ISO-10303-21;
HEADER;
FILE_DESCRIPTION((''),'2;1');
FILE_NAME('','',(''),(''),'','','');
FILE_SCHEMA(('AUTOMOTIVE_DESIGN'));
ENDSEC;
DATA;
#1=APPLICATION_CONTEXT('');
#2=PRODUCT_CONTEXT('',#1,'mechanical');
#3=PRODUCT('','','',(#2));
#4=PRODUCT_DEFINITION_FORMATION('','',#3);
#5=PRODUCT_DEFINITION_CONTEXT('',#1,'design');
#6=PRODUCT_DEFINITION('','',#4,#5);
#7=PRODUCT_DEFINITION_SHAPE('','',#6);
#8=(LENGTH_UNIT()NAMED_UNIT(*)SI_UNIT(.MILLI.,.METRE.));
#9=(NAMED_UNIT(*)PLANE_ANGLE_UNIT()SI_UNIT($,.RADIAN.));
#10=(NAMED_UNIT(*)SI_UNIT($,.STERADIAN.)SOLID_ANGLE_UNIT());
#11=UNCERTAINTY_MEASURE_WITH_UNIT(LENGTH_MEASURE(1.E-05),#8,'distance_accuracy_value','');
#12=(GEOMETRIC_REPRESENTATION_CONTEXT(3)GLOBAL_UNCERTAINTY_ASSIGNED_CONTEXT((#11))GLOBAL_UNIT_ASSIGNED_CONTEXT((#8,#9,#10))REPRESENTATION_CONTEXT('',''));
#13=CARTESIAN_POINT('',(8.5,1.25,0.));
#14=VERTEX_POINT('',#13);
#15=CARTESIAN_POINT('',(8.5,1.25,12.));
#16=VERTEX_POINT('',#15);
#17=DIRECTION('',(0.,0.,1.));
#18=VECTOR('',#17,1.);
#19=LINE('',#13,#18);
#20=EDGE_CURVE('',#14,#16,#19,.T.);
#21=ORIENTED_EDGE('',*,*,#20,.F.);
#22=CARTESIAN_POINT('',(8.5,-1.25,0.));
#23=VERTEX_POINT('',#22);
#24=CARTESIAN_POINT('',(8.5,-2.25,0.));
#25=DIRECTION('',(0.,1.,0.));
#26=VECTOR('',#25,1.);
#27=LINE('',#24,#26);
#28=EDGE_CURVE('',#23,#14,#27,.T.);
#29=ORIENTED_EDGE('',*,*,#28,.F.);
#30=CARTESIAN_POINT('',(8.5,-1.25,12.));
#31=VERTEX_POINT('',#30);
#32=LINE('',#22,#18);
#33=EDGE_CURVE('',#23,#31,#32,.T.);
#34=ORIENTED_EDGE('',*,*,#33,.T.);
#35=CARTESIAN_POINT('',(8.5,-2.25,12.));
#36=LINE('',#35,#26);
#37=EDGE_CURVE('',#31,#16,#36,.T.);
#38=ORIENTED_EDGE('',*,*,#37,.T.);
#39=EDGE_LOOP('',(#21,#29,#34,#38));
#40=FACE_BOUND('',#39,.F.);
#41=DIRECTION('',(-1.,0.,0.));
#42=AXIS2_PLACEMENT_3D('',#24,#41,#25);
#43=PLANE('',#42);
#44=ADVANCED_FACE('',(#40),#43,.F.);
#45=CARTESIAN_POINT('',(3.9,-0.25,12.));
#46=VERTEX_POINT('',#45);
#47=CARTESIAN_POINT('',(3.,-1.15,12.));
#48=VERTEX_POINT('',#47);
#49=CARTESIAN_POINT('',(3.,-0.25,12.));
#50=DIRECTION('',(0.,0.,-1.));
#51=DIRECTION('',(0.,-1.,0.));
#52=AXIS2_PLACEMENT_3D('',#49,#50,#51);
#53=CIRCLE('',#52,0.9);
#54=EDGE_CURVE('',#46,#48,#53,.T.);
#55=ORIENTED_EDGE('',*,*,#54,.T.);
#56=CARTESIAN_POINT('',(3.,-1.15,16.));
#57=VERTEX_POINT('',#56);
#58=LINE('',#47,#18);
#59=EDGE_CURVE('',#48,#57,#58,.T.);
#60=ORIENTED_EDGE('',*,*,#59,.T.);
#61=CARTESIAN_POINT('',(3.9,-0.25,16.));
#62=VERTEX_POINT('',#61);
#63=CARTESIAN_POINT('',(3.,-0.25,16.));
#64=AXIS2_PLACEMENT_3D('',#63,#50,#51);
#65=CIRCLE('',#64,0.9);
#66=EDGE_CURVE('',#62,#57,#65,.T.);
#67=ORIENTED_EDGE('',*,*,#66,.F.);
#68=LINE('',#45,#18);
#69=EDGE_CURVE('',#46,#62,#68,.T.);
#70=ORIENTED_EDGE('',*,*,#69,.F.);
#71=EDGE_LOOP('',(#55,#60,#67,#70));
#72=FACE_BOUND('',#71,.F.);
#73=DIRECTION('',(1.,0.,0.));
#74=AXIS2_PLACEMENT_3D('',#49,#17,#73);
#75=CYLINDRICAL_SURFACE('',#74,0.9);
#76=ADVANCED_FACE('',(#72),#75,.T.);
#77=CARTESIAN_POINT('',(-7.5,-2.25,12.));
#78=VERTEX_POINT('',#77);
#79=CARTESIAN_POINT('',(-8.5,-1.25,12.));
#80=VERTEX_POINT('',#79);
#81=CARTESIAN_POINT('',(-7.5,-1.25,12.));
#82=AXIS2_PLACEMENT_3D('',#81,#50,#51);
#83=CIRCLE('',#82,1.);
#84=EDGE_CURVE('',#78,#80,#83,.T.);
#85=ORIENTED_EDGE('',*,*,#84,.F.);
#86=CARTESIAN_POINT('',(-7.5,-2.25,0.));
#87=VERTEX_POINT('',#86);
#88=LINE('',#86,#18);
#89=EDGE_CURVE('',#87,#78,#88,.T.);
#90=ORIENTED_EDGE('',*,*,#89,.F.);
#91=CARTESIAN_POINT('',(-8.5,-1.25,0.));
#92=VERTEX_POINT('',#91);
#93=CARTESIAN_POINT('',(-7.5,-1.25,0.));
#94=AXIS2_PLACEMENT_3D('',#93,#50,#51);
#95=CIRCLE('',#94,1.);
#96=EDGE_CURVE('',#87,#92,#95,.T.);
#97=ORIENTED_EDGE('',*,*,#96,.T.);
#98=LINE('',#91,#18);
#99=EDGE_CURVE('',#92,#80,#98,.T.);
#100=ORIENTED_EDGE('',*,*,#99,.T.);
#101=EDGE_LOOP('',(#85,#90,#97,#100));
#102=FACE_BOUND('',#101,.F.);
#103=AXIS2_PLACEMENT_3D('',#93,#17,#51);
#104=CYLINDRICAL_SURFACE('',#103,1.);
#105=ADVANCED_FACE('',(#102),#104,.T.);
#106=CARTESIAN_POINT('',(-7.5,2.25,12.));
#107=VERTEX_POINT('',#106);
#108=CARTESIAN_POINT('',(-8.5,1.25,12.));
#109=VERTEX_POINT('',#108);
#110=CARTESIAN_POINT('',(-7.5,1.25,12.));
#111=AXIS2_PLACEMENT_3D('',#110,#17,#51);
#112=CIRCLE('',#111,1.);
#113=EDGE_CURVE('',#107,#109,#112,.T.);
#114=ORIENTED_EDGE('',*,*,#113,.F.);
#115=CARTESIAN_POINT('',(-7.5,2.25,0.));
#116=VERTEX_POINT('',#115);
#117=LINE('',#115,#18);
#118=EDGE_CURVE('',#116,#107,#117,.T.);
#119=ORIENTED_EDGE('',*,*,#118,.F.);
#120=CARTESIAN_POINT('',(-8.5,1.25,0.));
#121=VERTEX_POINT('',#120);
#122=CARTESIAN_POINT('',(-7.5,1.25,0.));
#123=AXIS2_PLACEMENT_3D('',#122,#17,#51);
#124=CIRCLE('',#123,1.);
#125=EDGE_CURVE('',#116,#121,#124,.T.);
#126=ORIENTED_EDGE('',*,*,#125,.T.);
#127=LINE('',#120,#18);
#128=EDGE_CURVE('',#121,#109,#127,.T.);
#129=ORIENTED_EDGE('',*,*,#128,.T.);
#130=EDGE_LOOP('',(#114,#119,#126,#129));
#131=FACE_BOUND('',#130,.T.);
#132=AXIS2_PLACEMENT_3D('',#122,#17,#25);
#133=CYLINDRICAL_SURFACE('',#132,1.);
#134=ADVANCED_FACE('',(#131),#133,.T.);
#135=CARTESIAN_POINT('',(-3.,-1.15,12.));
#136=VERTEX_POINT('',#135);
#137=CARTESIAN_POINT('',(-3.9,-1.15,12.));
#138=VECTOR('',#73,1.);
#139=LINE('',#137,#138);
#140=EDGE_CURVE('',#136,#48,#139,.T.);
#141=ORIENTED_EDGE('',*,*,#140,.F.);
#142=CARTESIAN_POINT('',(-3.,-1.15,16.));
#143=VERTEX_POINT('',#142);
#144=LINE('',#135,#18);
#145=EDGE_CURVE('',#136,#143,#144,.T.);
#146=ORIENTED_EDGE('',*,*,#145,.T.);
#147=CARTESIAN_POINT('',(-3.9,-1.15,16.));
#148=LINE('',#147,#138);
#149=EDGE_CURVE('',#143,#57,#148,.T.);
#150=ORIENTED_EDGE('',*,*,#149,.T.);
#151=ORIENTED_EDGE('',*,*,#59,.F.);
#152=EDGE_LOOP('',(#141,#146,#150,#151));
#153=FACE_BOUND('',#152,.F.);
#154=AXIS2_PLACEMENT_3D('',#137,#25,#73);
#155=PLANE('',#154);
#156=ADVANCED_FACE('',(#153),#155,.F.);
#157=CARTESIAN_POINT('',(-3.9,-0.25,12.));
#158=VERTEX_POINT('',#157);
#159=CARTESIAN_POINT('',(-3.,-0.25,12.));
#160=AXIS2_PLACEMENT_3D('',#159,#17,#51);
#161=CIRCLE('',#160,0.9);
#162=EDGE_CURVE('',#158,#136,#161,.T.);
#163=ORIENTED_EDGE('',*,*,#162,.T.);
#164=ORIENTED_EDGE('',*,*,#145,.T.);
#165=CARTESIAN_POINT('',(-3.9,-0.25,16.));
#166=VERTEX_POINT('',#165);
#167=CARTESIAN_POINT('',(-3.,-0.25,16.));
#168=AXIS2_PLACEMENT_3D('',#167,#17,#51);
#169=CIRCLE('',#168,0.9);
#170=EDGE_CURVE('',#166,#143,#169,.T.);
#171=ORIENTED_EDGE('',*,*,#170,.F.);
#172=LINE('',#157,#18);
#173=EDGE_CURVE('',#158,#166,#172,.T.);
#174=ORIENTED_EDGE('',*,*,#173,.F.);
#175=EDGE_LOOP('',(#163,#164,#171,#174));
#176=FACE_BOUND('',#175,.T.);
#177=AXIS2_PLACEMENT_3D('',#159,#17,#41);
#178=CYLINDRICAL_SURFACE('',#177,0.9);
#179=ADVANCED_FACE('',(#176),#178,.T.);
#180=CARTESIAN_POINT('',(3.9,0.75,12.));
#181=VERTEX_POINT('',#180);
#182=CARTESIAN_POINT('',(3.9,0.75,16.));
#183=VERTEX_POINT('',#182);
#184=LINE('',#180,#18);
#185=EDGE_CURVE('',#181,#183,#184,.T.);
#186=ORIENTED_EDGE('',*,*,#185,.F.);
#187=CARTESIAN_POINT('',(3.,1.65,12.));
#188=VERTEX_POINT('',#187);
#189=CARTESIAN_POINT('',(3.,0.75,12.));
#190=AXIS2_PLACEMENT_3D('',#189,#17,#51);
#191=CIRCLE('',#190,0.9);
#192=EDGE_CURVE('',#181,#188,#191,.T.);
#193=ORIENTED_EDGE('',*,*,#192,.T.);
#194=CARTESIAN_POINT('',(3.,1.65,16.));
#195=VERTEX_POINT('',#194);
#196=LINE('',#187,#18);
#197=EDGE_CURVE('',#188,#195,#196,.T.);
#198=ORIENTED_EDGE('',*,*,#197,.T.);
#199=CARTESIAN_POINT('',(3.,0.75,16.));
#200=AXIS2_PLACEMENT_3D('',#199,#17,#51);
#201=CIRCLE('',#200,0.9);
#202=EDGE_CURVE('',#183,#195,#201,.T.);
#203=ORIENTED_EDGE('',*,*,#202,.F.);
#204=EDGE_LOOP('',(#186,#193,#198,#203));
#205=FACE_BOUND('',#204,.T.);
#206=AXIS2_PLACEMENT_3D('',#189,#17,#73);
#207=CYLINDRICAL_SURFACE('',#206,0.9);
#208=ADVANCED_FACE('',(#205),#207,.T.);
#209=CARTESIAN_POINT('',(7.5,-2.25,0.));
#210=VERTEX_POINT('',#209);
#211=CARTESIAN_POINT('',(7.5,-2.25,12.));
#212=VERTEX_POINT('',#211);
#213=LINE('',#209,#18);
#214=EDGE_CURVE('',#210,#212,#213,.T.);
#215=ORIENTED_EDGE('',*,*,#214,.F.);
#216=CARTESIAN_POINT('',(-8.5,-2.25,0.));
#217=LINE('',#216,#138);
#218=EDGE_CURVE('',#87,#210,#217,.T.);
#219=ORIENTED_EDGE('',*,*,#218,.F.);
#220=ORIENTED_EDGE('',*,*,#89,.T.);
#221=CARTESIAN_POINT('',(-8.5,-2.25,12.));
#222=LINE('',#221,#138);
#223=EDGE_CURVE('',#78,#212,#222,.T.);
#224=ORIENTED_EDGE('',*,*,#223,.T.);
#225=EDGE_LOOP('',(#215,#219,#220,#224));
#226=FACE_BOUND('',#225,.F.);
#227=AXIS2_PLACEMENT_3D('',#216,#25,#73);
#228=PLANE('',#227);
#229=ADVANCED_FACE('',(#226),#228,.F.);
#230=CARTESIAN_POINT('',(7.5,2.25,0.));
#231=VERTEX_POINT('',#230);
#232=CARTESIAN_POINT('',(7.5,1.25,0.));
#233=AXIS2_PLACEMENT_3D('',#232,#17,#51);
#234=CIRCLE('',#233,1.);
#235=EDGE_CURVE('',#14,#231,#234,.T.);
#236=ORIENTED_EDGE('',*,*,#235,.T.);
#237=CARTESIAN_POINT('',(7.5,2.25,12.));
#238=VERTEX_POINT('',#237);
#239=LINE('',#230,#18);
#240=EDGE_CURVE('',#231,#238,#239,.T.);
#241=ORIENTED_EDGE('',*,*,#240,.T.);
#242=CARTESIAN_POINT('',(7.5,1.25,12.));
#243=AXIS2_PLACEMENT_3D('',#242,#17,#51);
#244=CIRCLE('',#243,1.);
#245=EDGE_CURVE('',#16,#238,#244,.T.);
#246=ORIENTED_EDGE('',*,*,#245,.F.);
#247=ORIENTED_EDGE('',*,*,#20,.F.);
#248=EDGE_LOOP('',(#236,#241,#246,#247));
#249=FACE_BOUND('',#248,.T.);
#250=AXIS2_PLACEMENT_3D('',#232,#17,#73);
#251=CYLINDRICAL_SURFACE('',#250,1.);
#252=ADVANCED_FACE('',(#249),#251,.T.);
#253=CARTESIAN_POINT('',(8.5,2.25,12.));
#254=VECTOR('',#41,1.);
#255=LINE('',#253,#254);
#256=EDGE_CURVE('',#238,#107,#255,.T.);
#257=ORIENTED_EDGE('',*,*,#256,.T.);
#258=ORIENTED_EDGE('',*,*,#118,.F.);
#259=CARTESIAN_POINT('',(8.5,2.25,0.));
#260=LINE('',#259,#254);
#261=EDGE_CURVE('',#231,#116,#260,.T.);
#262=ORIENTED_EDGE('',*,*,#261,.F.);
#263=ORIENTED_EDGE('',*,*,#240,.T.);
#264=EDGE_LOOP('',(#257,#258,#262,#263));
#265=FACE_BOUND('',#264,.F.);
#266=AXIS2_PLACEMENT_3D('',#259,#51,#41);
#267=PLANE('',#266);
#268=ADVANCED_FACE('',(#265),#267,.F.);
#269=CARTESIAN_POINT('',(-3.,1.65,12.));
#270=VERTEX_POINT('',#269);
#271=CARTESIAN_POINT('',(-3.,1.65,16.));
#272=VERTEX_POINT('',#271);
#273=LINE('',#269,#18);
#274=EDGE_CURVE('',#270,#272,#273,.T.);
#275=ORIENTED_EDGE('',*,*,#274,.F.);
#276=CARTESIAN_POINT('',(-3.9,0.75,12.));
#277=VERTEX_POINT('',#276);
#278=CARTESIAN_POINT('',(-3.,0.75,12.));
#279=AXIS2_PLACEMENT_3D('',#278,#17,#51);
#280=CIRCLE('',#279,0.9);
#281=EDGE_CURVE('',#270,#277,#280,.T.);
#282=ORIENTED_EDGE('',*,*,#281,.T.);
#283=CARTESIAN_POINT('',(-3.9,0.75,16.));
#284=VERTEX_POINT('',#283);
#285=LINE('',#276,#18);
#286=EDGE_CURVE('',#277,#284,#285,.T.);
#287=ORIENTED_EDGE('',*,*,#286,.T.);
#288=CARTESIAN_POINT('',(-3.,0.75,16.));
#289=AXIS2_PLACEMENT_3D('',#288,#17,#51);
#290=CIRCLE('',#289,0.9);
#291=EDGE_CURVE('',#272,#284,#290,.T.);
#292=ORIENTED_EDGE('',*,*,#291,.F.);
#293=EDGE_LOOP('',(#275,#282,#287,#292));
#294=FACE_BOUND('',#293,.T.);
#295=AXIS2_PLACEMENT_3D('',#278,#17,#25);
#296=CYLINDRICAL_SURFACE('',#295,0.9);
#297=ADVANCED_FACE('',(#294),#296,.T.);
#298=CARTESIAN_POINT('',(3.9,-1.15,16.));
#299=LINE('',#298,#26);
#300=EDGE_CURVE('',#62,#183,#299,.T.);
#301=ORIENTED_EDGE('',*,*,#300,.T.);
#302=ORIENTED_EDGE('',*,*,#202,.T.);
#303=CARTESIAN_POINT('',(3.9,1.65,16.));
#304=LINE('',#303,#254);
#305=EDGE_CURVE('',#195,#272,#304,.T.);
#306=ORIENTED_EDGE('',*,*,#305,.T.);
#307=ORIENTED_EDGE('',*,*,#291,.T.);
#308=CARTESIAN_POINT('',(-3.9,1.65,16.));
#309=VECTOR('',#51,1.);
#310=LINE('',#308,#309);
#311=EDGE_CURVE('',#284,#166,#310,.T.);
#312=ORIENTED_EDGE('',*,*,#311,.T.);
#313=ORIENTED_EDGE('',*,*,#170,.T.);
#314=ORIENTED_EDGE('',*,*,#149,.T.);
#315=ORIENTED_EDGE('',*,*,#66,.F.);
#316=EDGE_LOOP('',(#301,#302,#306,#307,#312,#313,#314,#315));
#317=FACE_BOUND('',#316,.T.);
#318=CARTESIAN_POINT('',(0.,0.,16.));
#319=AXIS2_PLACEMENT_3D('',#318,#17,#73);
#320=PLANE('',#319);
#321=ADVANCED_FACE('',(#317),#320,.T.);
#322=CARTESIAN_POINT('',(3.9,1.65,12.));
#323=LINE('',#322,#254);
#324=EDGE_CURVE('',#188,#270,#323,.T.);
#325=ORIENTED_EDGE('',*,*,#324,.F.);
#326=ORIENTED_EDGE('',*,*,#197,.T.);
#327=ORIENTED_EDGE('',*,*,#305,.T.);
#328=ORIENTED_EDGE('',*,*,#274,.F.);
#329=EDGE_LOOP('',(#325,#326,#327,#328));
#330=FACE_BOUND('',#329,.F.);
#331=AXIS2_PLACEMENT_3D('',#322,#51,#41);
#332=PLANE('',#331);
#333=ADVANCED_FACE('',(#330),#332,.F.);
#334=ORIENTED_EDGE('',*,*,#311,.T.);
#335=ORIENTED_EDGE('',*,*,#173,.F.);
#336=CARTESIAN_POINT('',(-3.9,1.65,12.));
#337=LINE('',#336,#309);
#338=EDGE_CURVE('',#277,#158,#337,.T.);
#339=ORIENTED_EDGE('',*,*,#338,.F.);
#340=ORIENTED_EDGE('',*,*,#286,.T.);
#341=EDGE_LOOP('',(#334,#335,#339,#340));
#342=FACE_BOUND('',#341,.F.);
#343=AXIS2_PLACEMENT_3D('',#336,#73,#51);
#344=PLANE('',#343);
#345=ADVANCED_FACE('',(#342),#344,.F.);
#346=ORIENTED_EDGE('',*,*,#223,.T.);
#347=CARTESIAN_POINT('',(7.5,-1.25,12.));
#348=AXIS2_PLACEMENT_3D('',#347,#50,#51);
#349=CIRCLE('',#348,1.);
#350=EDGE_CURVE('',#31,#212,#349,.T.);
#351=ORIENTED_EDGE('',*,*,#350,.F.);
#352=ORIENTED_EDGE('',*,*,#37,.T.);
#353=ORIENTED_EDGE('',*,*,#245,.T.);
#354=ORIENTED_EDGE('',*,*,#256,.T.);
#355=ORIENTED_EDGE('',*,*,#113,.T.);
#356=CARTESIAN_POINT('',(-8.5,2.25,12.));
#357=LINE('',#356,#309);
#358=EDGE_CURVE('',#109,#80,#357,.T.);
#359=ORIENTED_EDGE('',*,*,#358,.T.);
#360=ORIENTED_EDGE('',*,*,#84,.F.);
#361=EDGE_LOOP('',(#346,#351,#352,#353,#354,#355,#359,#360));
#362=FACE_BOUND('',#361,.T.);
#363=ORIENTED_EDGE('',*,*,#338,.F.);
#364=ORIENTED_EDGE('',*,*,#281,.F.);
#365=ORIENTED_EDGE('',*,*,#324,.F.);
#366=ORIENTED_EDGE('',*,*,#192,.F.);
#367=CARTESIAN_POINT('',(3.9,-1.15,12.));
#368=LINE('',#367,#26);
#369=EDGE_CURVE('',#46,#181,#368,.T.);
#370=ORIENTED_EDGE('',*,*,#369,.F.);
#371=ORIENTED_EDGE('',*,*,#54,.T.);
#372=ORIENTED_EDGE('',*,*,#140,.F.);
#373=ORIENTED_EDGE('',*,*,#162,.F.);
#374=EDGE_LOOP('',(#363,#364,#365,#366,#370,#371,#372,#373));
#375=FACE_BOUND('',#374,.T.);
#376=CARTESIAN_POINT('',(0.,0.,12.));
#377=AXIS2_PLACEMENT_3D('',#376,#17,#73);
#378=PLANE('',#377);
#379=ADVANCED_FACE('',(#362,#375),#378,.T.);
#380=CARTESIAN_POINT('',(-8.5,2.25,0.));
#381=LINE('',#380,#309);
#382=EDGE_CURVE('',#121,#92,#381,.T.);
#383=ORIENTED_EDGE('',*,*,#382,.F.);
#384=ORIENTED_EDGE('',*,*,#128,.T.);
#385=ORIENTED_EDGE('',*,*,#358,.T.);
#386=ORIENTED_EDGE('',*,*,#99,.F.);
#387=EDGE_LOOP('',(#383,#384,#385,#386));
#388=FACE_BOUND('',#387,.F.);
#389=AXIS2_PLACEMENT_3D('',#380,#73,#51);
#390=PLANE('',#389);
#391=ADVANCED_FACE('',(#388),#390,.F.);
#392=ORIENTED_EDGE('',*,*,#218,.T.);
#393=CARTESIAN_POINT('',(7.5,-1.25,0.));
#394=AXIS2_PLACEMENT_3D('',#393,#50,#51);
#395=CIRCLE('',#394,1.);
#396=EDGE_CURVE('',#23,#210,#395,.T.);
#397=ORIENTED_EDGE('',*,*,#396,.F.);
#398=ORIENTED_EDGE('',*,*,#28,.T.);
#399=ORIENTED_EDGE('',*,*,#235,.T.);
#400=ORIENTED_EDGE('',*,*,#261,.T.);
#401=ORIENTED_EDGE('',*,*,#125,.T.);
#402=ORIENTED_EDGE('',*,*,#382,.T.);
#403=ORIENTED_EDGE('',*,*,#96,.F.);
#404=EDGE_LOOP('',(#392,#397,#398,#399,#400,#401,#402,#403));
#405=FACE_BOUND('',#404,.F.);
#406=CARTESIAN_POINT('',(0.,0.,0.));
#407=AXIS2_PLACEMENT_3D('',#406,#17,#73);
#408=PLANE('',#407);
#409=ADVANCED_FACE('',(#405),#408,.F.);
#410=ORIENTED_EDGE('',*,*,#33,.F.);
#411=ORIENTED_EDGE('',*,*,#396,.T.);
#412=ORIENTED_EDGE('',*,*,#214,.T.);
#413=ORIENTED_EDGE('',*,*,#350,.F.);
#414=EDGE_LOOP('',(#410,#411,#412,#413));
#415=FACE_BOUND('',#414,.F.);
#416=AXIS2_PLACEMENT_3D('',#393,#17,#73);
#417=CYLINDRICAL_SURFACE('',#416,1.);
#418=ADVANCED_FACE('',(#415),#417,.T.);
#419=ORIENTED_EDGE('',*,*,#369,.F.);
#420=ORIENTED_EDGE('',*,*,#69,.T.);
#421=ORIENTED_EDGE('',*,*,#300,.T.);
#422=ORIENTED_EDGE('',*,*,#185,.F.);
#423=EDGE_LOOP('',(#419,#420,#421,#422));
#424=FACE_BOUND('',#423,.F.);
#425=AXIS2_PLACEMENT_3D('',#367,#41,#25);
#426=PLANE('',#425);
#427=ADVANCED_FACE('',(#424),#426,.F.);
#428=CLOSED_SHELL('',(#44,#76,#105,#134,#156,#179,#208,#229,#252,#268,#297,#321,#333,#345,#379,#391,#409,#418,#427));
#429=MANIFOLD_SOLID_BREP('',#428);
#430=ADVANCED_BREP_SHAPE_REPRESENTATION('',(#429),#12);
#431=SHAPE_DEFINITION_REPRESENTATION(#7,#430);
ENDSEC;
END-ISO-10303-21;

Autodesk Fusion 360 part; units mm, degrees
sketch "Sketch1" plane through (0, 0, 0) normal (0, 0, 1) x (1, 0, 0)
  line L0 (8.5, 2.25) -> (-8.5, 2.25)
  line L1 (-8.5, 2.25) -> (-8.5, -2.25)
  line L2 (-8.5, -2.25) -> (8.5, -2.25)
  line L3 (8.5, -2.25) -> (8.5, 2.25)
  line L4 (8.5, 2.25) -> (-8.5, -2.25) construction
  line L5 (-8.5, 2.25) -> (8.5, -2.25) construction
  dimension "d1" = 17
  dimension "d2" = 4.5
extrude "Extrude1" add sketch "Sketch1" along normal blind 12
sketch "Sketch2" plane through (0, 0, 12) normal (0, 0, 1) x (1, 0, 0)
  line L0 (8.5, -2.25) -> (8.5, 2.25)
  line L1 (8.5, 2.25) -> (-8.5, 2.25)
  line L2 (-8.5, 2.25) -> (-8.5, -2.25)
  line L3 (-8.5, -2.25) -> (8.5, -2.25)
  line L4 (3.9, 1.65) -> (-3.9, 1.65)
  line L5 (-3.9, 1.65) -> (-3.9, -1.15)
  line L6 (-3.9, -1.15) -> (3.9, -1.15)
  line L7 (3.9, -1.15) -> (3.9, 1.65)
  line L8 (3.9, 1.65) -> (-3.9, -1.15) construction
  line L9 (-3.9, 1.65) -> (3.9, -1.15) construction
  point P0 (0, 0.25)
  dimension "d5" = 7.8
  dimension "d6" = 2.8
  dimension "d7" = 0.6
extrude "Extrude2" add sketch "Sketch2" along normal blind 4 contours L4 L5 L6 L7
fillet "Fillet1" radius 1 4 edges at (-8.5, 2.25, 6) (-8.5, -2.25, 6) (8.5, -2.25, 6) (8.5, 2.25, 6)
fillet "Fillet2" radius 0.9 4 edges at (3.9, 1.65, 14) (-3.9, 1.65, 14) (3.9, -1.15, 14) (-3.9, -1.15, 14)
